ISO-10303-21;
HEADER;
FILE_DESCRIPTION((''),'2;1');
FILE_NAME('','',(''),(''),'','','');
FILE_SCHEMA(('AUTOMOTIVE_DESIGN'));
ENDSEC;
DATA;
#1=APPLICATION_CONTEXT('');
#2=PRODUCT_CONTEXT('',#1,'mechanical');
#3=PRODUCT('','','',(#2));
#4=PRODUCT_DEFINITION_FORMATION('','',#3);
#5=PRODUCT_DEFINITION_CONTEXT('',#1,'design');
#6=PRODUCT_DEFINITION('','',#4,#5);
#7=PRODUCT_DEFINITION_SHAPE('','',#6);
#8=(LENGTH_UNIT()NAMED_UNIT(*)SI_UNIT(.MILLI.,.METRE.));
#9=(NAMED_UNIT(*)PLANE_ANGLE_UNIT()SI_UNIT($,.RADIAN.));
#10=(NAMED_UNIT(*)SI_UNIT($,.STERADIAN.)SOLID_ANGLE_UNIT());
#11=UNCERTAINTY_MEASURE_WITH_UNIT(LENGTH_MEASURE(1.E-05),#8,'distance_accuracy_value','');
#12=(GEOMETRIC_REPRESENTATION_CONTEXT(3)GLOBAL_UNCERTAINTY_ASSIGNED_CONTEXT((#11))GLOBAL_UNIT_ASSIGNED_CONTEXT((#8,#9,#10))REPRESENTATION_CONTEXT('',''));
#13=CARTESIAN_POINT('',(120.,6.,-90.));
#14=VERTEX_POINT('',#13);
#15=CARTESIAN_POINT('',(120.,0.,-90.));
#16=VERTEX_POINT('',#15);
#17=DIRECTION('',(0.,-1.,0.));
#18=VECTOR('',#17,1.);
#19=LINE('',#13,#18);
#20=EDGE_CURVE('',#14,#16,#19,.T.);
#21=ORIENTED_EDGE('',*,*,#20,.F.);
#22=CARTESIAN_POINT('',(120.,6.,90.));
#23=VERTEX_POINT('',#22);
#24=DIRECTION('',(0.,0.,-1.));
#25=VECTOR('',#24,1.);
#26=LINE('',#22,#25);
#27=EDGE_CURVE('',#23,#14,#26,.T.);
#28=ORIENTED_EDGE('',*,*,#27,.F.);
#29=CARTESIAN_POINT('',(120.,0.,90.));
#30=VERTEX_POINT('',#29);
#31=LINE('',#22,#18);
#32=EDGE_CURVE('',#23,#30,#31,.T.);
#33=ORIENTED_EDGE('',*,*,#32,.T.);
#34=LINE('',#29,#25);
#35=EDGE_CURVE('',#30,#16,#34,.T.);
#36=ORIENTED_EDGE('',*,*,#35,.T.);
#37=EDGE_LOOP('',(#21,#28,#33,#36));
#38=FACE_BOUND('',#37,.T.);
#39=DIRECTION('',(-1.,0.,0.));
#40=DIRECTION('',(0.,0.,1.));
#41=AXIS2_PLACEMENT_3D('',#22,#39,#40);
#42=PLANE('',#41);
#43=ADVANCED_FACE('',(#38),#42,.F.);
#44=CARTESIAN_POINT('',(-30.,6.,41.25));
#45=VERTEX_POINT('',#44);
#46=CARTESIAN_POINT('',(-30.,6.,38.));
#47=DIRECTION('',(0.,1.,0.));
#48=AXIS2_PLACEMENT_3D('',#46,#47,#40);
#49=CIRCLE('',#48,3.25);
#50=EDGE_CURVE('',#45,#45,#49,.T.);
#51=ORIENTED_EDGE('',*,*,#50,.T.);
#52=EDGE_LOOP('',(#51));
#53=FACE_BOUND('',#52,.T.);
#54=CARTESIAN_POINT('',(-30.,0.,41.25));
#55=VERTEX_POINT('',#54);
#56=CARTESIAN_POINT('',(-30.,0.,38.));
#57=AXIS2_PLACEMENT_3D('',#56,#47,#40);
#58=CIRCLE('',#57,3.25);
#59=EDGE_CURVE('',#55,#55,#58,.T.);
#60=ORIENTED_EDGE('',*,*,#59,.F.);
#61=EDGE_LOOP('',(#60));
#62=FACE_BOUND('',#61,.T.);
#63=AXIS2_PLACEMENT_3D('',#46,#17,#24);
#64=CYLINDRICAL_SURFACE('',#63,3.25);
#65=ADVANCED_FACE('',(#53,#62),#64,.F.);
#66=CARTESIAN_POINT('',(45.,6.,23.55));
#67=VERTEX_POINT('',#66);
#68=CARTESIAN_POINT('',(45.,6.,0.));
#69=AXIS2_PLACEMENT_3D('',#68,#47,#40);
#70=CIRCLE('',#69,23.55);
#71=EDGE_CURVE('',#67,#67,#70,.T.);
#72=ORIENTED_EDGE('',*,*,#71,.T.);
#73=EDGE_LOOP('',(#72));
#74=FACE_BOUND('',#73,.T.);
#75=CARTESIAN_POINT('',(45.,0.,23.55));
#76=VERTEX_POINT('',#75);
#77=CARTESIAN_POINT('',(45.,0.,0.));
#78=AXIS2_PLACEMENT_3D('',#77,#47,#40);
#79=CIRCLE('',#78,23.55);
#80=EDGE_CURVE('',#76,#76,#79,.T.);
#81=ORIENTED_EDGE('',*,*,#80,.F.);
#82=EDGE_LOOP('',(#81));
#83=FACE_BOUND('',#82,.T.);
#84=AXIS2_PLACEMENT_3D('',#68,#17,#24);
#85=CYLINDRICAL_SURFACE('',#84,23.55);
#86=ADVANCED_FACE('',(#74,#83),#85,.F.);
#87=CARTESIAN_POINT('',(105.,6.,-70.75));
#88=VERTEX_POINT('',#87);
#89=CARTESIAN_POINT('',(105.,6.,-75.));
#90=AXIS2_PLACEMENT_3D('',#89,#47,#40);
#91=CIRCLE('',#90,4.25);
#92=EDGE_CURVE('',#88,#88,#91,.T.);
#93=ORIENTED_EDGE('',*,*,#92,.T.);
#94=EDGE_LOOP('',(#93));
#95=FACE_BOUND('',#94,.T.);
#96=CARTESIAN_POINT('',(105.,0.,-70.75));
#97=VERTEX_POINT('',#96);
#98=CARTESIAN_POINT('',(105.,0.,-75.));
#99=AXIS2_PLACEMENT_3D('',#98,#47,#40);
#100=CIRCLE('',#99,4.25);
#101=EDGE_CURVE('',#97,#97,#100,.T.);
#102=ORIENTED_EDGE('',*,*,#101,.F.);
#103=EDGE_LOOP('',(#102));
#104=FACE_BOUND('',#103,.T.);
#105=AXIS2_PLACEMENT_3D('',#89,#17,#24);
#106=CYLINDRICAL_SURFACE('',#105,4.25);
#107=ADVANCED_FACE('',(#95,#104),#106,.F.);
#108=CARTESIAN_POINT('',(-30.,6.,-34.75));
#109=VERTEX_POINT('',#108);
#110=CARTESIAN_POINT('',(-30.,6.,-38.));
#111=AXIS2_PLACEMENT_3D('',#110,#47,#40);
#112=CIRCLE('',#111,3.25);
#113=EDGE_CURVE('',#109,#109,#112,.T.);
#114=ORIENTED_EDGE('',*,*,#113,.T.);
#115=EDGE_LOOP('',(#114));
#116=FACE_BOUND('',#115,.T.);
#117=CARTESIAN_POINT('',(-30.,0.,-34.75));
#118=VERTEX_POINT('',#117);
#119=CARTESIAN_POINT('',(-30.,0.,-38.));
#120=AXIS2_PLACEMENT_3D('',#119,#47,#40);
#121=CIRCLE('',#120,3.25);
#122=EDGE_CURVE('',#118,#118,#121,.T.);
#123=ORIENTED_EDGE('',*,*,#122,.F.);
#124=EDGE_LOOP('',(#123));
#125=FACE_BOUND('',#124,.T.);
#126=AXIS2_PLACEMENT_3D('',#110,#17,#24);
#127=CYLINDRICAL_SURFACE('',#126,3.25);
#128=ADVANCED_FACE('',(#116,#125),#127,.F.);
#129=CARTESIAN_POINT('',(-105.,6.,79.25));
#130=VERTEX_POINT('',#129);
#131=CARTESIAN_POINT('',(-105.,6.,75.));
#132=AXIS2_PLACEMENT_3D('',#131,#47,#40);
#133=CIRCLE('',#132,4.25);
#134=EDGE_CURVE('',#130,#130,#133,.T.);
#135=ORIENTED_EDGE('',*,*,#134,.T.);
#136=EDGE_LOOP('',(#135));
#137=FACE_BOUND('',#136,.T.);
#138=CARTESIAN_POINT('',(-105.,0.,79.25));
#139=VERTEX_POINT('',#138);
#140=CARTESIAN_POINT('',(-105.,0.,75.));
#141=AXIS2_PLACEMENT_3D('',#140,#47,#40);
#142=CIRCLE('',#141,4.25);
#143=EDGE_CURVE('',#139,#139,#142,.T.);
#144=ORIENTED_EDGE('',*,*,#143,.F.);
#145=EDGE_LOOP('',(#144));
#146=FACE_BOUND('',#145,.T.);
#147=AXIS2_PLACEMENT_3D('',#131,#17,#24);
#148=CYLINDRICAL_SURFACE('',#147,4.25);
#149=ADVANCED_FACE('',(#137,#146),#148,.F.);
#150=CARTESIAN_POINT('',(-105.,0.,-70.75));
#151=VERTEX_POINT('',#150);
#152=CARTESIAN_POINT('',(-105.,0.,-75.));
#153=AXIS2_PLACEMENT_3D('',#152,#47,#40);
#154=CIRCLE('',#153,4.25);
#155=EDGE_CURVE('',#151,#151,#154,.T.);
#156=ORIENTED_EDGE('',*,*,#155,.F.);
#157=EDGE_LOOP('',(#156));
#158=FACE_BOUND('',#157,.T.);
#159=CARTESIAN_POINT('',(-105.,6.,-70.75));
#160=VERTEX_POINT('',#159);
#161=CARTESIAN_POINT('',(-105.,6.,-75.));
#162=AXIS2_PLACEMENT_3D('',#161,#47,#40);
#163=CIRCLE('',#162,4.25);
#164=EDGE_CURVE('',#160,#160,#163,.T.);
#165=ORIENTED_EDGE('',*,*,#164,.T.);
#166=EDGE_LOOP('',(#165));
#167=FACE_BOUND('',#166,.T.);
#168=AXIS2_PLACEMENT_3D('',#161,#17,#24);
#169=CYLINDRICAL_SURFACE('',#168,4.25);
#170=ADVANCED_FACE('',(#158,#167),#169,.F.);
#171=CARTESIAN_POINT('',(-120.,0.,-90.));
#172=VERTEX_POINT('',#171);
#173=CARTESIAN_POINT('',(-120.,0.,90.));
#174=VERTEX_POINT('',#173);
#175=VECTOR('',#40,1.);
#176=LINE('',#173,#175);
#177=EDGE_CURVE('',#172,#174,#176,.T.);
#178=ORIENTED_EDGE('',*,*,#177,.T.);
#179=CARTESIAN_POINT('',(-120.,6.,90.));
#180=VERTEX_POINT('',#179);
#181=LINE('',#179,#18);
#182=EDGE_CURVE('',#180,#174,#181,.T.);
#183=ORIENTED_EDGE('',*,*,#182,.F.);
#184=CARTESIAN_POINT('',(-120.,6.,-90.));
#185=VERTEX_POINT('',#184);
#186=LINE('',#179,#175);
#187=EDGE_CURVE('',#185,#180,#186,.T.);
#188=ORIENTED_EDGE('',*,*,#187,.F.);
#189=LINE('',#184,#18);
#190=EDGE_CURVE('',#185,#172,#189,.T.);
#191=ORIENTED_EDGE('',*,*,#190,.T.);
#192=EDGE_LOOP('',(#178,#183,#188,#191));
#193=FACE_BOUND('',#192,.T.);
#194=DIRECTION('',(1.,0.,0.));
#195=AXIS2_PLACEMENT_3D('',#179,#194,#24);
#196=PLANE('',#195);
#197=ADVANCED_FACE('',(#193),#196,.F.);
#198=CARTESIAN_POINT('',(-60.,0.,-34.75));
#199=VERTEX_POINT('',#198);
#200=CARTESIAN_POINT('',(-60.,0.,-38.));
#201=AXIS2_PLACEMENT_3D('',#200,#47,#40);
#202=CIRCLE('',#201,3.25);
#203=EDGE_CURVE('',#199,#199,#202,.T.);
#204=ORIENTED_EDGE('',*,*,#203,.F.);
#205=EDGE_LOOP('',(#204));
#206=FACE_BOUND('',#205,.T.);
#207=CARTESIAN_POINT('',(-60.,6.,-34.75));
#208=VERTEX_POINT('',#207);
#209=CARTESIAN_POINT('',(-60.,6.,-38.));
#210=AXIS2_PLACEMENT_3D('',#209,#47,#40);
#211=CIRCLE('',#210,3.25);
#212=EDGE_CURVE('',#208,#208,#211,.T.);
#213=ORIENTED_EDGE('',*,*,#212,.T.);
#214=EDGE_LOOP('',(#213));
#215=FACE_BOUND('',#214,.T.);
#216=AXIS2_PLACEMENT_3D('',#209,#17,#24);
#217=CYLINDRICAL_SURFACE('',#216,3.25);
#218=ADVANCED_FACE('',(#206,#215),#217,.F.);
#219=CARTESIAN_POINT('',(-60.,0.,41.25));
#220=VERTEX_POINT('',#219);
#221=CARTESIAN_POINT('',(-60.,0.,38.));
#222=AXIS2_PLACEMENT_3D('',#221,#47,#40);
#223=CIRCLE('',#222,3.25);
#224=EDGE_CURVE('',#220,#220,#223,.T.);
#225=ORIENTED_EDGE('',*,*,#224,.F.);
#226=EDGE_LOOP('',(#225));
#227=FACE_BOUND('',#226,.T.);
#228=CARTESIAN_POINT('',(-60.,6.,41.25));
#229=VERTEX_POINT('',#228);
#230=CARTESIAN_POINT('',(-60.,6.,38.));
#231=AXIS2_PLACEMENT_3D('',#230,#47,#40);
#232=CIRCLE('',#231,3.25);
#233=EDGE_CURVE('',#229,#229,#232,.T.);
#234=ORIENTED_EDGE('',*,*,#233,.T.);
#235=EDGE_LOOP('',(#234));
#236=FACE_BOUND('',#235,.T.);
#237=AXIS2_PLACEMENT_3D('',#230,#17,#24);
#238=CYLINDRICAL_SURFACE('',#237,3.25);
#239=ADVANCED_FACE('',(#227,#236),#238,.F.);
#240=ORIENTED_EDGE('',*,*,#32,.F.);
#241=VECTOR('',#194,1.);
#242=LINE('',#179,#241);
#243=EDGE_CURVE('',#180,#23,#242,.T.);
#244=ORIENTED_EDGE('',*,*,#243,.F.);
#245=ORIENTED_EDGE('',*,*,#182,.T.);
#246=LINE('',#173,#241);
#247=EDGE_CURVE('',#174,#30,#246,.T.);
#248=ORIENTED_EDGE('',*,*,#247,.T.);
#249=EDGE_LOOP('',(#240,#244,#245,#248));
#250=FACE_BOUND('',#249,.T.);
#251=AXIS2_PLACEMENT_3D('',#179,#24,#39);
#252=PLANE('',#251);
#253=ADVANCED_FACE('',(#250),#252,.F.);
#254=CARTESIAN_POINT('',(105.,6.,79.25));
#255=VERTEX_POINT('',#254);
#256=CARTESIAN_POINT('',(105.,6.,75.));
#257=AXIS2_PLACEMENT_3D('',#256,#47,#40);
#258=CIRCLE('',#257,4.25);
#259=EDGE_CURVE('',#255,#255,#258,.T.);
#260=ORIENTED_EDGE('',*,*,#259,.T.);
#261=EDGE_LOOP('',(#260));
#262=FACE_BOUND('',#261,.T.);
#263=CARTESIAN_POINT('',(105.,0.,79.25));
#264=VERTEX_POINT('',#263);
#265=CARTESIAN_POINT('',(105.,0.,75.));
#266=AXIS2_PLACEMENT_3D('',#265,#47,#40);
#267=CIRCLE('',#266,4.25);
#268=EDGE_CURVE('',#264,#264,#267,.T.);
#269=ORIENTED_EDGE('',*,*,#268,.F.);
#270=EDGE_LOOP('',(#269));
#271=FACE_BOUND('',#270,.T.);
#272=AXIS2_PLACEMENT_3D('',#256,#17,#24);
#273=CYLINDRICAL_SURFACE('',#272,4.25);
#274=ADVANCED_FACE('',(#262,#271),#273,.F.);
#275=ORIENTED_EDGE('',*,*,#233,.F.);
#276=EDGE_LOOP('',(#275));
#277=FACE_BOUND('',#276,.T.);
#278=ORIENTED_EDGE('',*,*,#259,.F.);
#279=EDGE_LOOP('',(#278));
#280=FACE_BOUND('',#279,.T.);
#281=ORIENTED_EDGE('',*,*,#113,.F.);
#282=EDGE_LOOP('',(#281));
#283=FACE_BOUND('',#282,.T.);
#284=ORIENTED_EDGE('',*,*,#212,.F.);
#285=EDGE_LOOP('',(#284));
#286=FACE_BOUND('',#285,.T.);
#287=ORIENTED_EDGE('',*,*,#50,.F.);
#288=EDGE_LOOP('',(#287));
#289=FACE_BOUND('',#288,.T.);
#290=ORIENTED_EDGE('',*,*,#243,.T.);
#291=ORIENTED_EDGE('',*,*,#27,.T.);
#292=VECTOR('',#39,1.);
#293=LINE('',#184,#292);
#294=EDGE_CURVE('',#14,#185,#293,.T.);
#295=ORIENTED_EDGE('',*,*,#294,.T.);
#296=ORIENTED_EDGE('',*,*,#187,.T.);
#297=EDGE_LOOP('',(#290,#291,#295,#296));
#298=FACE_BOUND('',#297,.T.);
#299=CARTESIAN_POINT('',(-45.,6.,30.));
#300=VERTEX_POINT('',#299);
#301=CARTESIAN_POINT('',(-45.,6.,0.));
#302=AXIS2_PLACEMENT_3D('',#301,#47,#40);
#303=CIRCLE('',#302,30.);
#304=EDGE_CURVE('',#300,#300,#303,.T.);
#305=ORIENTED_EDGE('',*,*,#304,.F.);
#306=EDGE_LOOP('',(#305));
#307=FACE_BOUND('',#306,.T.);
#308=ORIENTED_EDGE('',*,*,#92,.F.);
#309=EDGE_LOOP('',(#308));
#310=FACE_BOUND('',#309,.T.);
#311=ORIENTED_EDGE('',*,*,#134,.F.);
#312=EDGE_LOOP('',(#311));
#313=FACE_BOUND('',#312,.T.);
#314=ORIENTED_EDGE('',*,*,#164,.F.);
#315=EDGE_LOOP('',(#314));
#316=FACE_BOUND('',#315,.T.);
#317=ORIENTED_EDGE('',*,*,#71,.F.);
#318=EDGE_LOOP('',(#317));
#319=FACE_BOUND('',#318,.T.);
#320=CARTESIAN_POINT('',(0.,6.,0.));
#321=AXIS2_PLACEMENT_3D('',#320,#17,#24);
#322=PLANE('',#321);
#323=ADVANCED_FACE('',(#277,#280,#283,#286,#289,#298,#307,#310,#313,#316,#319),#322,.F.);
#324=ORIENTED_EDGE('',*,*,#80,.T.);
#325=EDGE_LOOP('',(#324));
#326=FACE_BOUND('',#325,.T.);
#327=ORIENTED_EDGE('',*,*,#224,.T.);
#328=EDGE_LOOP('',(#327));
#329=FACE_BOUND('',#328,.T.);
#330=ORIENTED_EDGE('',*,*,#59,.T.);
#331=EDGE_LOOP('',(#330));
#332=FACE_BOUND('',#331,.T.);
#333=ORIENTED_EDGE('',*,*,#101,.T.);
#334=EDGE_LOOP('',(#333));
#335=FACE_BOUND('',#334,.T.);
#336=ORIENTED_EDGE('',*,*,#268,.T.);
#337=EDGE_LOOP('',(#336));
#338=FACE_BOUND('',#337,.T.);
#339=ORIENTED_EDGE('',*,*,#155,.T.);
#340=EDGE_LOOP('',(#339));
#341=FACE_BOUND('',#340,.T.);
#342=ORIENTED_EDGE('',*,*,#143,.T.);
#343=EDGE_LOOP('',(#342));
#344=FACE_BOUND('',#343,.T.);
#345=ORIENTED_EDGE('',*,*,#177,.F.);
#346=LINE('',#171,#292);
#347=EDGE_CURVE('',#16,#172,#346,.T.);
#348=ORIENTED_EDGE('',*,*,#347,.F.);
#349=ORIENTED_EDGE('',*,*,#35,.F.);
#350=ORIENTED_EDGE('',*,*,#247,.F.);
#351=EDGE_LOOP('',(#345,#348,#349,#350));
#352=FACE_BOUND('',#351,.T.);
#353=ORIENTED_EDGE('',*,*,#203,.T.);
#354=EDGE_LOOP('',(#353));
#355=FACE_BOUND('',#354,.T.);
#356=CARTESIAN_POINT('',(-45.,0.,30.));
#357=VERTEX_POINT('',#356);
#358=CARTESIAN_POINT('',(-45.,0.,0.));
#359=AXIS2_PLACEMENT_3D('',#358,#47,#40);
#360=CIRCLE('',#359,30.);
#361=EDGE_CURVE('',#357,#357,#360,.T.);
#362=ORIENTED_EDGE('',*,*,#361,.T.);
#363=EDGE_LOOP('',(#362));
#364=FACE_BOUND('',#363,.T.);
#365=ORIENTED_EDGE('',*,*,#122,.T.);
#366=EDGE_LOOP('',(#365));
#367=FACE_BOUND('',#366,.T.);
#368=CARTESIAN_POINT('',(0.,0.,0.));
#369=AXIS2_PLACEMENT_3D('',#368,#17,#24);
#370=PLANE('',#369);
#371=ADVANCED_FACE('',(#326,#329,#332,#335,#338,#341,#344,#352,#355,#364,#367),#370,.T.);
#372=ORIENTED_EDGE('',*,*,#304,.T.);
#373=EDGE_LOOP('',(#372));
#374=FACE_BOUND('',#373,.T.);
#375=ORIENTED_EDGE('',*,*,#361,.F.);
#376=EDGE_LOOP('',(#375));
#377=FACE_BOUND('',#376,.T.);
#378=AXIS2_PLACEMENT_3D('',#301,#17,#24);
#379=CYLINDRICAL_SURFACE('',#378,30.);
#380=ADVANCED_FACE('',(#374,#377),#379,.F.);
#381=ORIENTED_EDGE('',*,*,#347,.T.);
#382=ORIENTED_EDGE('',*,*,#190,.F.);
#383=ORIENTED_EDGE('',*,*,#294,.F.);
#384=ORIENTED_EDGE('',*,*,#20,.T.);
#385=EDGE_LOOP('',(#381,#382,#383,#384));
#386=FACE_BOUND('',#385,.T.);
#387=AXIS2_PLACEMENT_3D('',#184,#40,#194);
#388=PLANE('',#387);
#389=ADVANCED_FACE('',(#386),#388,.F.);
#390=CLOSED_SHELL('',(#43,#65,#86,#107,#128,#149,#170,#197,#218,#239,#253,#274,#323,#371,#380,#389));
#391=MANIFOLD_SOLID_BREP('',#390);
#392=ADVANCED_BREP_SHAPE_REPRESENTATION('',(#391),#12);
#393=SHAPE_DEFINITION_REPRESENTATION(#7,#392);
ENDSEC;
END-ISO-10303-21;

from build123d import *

# Parameters (mm, degrees)
SKETCH1_W           = 240
SKETCH1_H           = 180
SKETCH1_R           = 23.55
SKETCH1_R_2         = 30
SKETCH1_R_3         = 4.25
SKETCH1_R_4         = 3.25
PLATE_EXTRUDE_DEPTH = 6


with BuildPart() as part:
    # Sketch1 → Plate_Extrude (new body)
    with BuildSketch(Plane(origin=(0, 0, 0), x_dir=(1, 0, 0), z_dir=(0, 1, 0))):
        Rectangle(SKETCH1_W, SKETCH1_H)
        with Locations(Location((45, 0, 0), (0, 0, 270))):
            Circle(SKETCH1_R, mode=Mode.SUBTRACT)
        with Locations(Location((-45, 0, 0), (0, 0, 270))):
            Circle(SKETCH1_R_2, mode=Mode.SUBTRACT)
        with Locations(Location((-105, -75, 0), (0, 0, 270))):
            Circle(SKETCH1_R_3, mode=Mode.SUBTRACT)
        with Locations(Location((105, -75, 0), (0, 0, 270))):
            Circle(SKETCH1_R_3, mode=Mode.SUBTRACT)
        with Locations(Location((-105, 75, 0), (0, 0, 270))):
            Circle(SKETCH1_R_3, mode=Mode.SUBTRACT)
        with Locations(Location((105, 75, 0), (0, 0, 270))):
            Circle(SKETCH1_R_3, mode=Mode.SUBTRACT)
        with Locations(Location((-60, -38, 0), (0, 0, 270))):
            Circle(SKETCH1_R_4, mode=Mode.SUBTRACT)
        with Locations(Location((-60, 38, 0), (0, 0, 270))):
            Circle(SKETCH1_R_4, mode=Mode.SUBTRACT)
        with Locations(Location((-30, -38, 0), (0, 0, 270))):
            Circle(SKETCH1_R_4, mode=Mode.SUBTRACT)
        with Locations(Location((-30, 38, 0), (0, 0, 270))):
            Circle(SKETCH1_R_4, mode=Mode.SUBTRACT)
    extrude(amount=PLATE_EXTRUDE_DEPTH)


solid = part.part
